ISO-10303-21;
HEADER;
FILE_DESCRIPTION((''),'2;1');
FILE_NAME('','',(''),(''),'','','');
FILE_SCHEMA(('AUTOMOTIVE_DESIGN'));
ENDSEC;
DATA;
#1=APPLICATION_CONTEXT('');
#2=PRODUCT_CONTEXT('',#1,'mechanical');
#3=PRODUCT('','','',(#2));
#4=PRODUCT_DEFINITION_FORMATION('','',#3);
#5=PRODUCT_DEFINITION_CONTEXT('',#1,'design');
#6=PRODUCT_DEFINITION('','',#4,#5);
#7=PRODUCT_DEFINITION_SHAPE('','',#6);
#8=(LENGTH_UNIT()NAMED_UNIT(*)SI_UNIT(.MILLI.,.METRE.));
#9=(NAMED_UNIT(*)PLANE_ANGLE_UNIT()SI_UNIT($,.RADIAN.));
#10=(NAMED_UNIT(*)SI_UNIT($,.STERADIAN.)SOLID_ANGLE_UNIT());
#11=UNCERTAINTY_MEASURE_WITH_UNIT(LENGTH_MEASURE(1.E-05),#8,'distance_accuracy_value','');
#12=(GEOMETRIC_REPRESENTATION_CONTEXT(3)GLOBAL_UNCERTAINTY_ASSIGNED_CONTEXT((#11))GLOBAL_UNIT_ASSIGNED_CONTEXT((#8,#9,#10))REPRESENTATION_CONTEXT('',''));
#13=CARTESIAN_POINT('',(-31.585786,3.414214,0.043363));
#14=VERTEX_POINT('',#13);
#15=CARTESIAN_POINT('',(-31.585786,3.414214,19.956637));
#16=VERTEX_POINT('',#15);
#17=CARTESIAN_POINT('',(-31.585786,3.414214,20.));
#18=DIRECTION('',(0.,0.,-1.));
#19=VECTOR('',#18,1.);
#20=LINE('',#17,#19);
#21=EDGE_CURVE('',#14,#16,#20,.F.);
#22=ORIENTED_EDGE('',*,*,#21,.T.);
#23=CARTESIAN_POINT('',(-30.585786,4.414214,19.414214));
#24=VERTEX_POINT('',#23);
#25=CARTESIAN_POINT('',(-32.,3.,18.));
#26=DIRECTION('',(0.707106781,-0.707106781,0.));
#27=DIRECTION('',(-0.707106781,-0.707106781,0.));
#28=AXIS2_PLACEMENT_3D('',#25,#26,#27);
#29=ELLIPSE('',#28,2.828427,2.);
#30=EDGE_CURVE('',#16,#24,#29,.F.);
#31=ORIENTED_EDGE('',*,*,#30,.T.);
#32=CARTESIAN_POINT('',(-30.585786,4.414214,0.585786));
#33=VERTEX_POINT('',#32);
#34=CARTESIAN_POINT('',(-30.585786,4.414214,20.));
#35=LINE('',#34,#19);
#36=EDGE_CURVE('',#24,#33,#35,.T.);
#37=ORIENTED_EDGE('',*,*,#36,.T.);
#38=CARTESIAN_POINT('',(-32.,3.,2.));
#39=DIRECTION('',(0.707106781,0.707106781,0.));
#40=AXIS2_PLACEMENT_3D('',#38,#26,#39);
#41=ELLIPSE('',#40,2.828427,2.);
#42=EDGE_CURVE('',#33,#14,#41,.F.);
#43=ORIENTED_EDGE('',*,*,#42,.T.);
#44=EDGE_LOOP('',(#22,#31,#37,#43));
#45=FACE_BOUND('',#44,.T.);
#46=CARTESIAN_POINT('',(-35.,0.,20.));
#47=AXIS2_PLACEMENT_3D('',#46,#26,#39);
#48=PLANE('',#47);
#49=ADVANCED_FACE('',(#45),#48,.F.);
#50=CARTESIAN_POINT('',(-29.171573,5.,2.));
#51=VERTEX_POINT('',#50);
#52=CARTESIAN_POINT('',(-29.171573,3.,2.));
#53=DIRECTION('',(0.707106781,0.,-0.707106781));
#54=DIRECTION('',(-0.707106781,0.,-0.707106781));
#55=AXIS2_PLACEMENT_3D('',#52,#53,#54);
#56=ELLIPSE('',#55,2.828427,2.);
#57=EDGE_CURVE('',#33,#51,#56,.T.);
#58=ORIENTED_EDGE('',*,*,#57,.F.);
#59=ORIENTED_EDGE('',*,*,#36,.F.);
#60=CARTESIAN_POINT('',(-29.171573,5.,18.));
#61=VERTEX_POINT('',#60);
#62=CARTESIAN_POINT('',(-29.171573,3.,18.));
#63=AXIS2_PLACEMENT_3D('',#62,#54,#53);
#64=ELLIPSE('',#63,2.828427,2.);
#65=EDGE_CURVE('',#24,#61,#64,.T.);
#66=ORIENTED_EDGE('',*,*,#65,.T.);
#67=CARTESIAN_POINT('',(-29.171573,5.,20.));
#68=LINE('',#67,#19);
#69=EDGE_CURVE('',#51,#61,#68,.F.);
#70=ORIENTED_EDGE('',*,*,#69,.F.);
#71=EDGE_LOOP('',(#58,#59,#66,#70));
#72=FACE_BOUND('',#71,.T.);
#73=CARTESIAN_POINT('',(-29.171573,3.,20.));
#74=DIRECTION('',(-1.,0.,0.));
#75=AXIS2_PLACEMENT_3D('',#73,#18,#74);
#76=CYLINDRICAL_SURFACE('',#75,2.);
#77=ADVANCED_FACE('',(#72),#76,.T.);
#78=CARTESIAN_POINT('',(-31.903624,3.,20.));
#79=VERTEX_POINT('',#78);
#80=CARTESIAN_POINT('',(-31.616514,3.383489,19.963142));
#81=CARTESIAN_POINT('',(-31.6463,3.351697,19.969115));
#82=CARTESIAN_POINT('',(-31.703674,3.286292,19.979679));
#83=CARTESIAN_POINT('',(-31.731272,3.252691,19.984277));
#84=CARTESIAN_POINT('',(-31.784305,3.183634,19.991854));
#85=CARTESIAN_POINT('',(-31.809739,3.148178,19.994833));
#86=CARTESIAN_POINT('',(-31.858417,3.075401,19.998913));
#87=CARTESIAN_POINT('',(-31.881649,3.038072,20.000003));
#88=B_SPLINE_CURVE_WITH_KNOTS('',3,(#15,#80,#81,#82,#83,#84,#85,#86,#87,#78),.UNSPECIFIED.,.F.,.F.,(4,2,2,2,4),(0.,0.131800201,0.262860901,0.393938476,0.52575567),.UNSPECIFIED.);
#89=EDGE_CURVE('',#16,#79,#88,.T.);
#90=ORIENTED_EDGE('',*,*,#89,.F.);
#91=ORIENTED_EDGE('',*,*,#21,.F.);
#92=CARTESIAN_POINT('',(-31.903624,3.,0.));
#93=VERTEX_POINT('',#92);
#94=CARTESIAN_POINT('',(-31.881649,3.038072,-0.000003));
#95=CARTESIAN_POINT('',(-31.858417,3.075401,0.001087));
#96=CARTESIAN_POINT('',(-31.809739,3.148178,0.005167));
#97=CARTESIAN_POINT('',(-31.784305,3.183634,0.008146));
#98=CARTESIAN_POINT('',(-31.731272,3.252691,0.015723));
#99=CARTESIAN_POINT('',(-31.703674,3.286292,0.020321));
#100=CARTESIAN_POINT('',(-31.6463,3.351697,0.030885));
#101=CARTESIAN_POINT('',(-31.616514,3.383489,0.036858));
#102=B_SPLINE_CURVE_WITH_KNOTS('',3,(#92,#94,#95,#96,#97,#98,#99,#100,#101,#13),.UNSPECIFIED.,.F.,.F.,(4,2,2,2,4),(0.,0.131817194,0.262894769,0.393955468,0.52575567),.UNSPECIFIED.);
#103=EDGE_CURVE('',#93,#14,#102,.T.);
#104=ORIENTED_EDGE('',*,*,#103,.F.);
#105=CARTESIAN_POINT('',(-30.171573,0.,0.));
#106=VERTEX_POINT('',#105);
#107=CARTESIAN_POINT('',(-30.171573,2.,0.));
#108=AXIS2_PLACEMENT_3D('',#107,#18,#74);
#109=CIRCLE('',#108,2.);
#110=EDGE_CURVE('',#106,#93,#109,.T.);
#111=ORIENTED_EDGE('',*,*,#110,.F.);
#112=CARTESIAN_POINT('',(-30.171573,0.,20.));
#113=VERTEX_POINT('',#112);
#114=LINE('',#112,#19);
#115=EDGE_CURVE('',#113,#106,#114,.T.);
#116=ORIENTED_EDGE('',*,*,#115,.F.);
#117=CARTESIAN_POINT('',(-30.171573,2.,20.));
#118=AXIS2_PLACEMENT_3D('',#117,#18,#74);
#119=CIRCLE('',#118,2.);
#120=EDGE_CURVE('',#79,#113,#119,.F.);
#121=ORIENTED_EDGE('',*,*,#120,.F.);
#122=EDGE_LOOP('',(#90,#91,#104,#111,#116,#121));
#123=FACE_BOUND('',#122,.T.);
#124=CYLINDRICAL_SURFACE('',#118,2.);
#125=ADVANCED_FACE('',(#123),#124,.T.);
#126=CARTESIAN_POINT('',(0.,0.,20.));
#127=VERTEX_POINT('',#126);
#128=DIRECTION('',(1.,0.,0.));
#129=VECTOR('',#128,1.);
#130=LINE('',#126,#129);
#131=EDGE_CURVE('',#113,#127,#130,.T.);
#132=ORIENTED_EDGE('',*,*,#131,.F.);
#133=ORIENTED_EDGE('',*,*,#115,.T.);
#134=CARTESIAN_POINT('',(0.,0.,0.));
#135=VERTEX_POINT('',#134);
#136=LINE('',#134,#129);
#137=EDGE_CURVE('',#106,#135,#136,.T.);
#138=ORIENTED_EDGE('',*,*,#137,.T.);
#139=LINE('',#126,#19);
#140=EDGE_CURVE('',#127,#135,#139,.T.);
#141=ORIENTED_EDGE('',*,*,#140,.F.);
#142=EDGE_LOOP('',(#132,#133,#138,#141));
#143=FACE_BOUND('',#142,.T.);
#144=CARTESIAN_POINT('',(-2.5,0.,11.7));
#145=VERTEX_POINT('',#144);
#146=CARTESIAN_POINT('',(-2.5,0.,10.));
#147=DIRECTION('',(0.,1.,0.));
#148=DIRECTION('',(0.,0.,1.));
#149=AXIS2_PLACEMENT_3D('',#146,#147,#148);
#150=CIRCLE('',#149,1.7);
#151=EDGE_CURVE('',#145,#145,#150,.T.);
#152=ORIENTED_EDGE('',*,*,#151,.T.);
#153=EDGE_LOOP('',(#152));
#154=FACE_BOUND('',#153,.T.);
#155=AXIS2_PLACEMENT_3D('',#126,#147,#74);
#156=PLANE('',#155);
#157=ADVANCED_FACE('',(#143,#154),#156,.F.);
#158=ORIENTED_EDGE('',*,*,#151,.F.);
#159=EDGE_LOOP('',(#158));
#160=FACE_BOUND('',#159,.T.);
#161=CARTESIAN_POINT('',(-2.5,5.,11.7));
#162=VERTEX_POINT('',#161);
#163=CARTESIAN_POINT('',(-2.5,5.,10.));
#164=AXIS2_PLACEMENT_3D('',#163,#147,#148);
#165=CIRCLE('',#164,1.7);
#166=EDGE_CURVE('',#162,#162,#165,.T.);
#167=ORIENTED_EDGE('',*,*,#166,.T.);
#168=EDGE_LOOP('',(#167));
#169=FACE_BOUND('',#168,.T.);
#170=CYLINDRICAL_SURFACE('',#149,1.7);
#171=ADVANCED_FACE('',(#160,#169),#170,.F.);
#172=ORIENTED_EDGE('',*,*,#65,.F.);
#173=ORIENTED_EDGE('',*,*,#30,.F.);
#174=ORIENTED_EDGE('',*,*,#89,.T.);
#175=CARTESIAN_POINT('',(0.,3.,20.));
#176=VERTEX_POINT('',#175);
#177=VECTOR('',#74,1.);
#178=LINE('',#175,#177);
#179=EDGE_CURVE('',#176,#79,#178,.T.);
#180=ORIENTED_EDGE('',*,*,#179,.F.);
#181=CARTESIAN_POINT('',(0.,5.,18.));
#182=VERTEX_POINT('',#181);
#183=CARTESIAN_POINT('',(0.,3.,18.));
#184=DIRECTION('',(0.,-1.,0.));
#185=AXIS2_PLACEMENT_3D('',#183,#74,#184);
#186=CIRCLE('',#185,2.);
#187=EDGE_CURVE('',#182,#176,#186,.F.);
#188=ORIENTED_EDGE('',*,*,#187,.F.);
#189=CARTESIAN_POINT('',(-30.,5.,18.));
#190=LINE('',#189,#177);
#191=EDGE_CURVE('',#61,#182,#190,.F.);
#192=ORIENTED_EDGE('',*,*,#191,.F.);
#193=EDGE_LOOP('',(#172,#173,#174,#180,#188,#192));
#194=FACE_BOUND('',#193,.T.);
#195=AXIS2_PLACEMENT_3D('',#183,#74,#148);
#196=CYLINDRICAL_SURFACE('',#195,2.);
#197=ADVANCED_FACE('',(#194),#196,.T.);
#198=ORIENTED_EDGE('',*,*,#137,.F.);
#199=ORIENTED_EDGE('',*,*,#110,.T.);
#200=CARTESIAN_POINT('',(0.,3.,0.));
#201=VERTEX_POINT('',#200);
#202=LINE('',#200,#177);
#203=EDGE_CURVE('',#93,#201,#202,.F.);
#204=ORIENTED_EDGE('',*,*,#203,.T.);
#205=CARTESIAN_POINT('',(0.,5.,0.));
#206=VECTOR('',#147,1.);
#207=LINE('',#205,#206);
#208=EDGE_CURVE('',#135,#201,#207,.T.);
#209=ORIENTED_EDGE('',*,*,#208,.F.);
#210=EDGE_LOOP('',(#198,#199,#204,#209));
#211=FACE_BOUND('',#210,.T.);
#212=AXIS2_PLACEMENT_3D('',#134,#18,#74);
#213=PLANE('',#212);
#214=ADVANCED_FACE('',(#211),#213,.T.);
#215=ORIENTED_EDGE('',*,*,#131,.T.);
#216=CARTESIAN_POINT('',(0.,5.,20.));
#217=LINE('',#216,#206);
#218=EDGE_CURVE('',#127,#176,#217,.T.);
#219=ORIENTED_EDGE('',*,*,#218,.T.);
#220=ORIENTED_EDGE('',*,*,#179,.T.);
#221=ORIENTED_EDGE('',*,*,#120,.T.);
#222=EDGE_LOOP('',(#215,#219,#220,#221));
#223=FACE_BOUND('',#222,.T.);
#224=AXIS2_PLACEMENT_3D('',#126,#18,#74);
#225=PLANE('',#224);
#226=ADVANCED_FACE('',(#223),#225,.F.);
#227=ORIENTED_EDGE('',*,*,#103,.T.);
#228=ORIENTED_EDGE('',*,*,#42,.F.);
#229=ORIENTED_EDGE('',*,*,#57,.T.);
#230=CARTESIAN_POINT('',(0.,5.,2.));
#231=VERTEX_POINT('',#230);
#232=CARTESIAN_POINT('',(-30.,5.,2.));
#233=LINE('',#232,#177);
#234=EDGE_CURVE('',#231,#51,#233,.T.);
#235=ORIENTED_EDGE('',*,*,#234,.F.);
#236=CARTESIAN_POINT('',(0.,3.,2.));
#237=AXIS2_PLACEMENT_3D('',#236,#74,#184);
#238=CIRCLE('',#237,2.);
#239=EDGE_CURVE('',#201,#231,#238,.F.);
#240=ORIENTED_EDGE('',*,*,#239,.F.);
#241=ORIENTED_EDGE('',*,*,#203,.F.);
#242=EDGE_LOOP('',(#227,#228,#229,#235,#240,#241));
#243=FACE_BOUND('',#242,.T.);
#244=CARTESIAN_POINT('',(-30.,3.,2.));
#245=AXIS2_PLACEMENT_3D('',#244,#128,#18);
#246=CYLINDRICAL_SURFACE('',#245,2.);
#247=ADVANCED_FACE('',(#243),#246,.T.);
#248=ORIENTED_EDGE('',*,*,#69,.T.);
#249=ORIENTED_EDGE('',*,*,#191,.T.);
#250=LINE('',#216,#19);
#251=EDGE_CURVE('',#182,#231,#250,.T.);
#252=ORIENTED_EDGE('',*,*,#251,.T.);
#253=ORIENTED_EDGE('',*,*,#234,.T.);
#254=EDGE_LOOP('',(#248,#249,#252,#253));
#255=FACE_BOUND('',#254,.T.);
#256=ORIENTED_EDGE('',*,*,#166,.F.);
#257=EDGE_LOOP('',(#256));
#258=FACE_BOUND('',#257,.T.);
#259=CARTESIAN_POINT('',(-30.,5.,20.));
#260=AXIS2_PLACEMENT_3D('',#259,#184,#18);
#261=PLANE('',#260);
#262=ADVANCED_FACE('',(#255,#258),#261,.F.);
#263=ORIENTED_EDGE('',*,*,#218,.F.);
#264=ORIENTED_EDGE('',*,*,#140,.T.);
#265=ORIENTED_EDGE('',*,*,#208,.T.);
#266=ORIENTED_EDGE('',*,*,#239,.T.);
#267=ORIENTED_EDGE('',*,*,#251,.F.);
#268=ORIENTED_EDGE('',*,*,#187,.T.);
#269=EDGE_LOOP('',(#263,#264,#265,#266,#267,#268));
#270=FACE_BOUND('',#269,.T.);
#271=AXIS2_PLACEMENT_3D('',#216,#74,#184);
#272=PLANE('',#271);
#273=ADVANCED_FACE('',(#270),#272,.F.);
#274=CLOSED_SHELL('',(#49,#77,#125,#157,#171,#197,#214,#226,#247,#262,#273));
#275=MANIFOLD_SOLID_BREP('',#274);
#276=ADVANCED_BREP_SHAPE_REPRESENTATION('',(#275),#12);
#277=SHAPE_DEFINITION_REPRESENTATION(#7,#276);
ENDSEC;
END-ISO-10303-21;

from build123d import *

# Parameters (mm, degrees)
EXTRUDE_1_DEPTH     = 20
SKETCH_2_R          = 1.7
CUT_EXTRUDE_1_DEPTH = 41.620192023
FILLET_1_R          = 2
FILLET_2_R          = 2


with BuildPart() as part:
    # ｽｹｯﾁ1 → ﾎﾞｽ - 押し出し1 (new body)
    with BuildSketch(Plane.XY):
        Polygon((0, 0), (-35, 0), (-30, 5), (0, 5), align=None)
    extrude(amount=EXTRUDE_1_DEPTH)

    # ｽｹｯﾁ2 → ｶｯﾄ - 押し出し1 (cut, through all)
    with BuildSketch(Plane(origin=(0, 5, 0), x_dir=(1, 0, 0), z_dir=(0, 1, 0))):
        with Locations(Location((-2.5, -10, 0), (0, 0, 270))):
            Circle(SKETCH_2_R)
    extrude(amount=-CUT_EXTRUDE_1_DEPTH, mode=Mode.SUBTRACT)

    # ﾌｨﾚｯﾄ1
    fillet_1_edges = [part.edges().sort_by_distance(p)[0] for p in [
        (-15, 5, 0),
        (-30, 5, 10),
        (-15, 5, 20),
    ]]
    fillet(fillet_1_edges, radius=FILLET_1_R)

    # ﾌｨﾚｯﾄ2
    fillet_2_edges = [part.edges().sort_by_distance(p)[0] for p in [
        (-35, 0, 10),
    ]]
    fillet(fillet_2_edges, radius=FILLET_2_R)


solid = part.part
